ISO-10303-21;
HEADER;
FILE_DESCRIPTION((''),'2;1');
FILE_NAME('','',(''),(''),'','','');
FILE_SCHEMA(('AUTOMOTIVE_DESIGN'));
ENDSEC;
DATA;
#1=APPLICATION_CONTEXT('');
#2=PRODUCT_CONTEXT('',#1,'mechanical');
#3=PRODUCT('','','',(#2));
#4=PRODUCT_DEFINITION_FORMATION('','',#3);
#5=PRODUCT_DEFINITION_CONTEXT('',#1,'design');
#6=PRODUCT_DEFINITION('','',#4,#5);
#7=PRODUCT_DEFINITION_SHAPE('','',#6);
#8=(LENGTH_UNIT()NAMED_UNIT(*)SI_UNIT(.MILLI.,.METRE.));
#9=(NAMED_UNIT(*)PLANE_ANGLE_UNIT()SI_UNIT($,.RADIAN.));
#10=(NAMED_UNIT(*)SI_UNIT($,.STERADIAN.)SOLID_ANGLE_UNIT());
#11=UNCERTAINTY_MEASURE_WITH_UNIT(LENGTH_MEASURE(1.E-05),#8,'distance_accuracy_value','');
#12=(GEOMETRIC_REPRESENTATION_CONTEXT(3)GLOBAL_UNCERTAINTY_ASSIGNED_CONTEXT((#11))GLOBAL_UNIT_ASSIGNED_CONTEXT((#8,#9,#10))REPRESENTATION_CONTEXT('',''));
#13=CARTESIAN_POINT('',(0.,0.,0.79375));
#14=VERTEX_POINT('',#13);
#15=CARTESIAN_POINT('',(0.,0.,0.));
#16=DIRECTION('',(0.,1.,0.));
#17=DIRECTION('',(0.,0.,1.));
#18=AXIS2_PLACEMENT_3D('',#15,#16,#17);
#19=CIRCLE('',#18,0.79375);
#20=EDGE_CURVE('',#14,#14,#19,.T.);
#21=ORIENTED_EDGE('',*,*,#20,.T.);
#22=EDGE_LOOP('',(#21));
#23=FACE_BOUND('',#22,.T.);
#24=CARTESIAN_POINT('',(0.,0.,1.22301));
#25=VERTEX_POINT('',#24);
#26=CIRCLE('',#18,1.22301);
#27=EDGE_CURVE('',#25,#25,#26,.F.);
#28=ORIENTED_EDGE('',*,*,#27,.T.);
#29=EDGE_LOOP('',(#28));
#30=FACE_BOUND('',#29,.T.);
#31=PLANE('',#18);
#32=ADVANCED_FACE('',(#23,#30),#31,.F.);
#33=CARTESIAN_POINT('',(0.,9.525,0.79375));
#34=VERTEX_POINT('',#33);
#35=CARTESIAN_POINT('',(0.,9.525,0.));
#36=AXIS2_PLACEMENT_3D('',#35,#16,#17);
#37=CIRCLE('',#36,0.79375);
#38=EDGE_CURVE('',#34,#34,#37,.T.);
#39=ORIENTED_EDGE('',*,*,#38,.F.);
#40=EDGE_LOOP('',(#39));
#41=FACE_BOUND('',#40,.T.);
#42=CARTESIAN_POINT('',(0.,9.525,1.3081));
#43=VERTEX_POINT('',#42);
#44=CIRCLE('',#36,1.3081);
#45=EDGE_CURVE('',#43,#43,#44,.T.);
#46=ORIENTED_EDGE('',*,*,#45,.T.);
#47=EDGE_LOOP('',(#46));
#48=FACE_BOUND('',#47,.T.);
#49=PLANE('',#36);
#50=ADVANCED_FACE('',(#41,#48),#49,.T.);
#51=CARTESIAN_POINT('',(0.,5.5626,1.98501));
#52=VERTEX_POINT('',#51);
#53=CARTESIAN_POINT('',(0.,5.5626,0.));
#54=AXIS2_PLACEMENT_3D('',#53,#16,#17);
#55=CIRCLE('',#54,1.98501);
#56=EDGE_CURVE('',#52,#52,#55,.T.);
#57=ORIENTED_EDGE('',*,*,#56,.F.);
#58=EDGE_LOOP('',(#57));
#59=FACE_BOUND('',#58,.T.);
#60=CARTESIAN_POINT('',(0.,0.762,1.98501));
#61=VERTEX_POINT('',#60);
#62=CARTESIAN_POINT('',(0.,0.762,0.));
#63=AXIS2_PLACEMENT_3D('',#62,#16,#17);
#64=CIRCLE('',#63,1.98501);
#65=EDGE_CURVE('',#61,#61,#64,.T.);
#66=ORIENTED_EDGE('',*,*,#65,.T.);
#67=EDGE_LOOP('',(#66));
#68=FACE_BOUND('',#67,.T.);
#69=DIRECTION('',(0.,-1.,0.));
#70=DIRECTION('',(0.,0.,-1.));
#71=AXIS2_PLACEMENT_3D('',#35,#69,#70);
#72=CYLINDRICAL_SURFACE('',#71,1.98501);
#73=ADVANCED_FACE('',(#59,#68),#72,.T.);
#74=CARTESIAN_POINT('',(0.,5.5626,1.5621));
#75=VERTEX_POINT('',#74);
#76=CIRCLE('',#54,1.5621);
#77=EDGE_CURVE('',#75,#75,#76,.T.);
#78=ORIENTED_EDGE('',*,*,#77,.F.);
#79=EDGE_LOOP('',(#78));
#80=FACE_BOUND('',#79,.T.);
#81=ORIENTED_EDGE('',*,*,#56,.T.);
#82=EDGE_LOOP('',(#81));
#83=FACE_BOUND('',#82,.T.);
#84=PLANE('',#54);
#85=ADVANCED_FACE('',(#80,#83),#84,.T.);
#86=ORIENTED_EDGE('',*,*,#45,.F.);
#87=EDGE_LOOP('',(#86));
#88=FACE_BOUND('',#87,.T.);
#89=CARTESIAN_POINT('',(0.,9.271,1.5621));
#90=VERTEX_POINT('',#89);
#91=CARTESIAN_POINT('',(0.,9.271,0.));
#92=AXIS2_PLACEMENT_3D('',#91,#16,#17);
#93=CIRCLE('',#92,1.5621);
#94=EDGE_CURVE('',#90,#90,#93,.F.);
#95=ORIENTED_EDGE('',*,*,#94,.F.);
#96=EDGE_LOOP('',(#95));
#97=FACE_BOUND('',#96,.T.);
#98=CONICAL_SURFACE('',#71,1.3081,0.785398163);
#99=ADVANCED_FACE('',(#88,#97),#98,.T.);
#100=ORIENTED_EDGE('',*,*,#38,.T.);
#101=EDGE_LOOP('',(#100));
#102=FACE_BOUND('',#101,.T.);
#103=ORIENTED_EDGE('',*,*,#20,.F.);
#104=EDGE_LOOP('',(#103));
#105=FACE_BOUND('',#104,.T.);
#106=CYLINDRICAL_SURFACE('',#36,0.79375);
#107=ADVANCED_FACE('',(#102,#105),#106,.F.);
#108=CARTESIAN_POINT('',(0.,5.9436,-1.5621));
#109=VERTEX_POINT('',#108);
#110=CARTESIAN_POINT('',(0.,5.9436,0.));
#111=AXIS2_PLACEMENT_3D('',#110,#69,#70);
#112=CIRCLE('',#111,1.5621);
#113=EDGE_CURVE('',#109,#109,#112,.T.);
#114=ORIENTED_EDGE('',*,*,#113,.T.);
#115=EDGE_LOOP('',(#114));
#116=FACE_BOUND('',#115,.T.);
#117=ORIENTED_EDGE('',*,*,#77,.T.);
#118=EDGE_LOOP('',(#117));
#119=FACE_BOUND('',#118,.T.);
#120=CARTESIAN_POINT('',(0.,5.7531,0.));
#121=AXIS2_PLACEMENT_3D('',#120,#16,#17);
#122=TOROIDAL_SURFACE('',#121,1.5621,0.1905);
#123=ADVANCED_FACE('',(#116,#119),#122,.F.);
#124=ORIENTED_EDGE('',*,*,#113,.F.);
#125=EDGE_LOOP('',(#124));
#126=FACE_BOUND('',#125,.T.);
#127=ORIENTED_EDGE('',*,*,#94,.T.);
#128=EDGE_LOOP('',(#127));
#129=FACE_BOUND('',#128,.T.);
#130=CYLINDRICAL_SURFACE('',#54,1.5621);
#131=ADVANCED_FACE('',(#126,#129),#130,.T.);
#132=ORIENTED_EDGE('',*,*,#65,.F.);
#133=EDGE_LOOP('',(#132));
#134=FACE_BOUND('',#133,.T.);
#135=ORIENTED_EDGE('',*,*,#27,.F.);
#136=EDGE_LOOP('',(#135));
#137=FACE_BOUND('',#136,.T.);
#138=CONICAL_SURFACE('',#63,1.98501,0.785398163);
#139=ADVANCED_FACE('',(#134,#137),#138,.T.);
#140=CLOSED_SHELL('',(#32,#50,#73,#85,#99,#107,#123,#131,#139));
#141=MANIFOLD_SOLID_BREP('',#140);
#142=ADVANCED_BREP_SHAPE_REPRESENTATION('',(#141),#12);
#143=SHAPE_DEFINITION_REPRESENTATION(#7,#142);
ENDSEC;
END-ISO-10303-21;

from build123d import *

# Parameters (mm, degrees)
SKETCH1_R                      = 1.98501
BASE_EXTRUDE_DEPTH             = 9.525
SKETCH2_R                      = 1.98501
SKETCH2_R_2                    = 1.5621
CUT_EXTRUDE2_DEPTH             = 3.9624
CHAMFER1_SIZE                  = 0.254
CHAMFER2_SIZE                  = 0.762
SKETCH4_R                      = 0.1905
F_1_16_0_0625_DIAMETER_HOLE1_D = 1.5875


with BuildPart() as part:
    # Sketch1 → Base-Extrude (new body)
    with BuildSketch(Plane(origin=(0, 0, 0), x_dir=(1, 0, 0), z_dir=(0, 1, 0))):
        with Locations(Location((0, 0, 0), (0, 0, 270))):  # turned: the seam where the file's is
            Circle(SKETCH1_R)
    extrude(amount=BASE_EXTRUDE_DEPTH)

    # Sketch2 → Cut-Extrude2 (cut)
    with BuildSketch(Plane(origin=(0, 9.525, 0), x_dir=(1, 0, 0), z_dir=(0, 1, 0))):
        with Locations(Location((0, 0, 0), (0, 0, 270))):  # turned: the seam where the file's is
            Circle(SKETCH2_R)
        with Locations(Location((0, 0, 0), (0, 0, 270))):  # turned: the seam where the file's is
            Circle(SKETCH2_R_2, mode=Mode.SUBTRACT)
    extrude(amount=-CUT_EXTRUDE2_DEPTH, mode=Mode.SUBTRACT)

    # Chamfer1
    chamfer1_edges = [part.edges().sort_by_distance(p)[0] for p in [
        (0, 9.525, -1.5621),
    ]]
    chamfer(chamfer1_edges, length=CHAMFER1_SIZE)

    # Chamfer2
    chamfer2_edges = [part.edges().sort_by_distance(p)[0] for p in [
        (0, 0, -1.98501),
    ]]
    chamfer(chamfer2_edges, length=CHAMFER2_SIZE)

    # Sketch4 → Cut-Revolve1 (revolve, cut)
    with BuildSketch(Plane.XY, mode=Mode.PRIVATE) as cut_revolve1_sk:
        with Locations((-1.5621, 5.7531)):
            Circle(SKETCH4_R)
    revolve(cut_revolve1_sk.sketch.rotate(Axis((0, 9.525, 0), (0, -1, 0)), 270), axis=Axis((0, 9.525, 0), (0, -1, 0)), mode=Mode.SUBTRACT)  # turned: the seam where the file's is

    # 1/16 (0.0625) Diameter Hole1 (through all)
    with Locations(Plane(origin=(0, 9.525, 0), x_dir=(-1, 0, 0), z_dir=(0, 1, 0))):
        with Locations((0, 0)):
            Hole(F_1_16_0_0625_DIAMETER_HOLE1_D / 2)


solid = part.part
